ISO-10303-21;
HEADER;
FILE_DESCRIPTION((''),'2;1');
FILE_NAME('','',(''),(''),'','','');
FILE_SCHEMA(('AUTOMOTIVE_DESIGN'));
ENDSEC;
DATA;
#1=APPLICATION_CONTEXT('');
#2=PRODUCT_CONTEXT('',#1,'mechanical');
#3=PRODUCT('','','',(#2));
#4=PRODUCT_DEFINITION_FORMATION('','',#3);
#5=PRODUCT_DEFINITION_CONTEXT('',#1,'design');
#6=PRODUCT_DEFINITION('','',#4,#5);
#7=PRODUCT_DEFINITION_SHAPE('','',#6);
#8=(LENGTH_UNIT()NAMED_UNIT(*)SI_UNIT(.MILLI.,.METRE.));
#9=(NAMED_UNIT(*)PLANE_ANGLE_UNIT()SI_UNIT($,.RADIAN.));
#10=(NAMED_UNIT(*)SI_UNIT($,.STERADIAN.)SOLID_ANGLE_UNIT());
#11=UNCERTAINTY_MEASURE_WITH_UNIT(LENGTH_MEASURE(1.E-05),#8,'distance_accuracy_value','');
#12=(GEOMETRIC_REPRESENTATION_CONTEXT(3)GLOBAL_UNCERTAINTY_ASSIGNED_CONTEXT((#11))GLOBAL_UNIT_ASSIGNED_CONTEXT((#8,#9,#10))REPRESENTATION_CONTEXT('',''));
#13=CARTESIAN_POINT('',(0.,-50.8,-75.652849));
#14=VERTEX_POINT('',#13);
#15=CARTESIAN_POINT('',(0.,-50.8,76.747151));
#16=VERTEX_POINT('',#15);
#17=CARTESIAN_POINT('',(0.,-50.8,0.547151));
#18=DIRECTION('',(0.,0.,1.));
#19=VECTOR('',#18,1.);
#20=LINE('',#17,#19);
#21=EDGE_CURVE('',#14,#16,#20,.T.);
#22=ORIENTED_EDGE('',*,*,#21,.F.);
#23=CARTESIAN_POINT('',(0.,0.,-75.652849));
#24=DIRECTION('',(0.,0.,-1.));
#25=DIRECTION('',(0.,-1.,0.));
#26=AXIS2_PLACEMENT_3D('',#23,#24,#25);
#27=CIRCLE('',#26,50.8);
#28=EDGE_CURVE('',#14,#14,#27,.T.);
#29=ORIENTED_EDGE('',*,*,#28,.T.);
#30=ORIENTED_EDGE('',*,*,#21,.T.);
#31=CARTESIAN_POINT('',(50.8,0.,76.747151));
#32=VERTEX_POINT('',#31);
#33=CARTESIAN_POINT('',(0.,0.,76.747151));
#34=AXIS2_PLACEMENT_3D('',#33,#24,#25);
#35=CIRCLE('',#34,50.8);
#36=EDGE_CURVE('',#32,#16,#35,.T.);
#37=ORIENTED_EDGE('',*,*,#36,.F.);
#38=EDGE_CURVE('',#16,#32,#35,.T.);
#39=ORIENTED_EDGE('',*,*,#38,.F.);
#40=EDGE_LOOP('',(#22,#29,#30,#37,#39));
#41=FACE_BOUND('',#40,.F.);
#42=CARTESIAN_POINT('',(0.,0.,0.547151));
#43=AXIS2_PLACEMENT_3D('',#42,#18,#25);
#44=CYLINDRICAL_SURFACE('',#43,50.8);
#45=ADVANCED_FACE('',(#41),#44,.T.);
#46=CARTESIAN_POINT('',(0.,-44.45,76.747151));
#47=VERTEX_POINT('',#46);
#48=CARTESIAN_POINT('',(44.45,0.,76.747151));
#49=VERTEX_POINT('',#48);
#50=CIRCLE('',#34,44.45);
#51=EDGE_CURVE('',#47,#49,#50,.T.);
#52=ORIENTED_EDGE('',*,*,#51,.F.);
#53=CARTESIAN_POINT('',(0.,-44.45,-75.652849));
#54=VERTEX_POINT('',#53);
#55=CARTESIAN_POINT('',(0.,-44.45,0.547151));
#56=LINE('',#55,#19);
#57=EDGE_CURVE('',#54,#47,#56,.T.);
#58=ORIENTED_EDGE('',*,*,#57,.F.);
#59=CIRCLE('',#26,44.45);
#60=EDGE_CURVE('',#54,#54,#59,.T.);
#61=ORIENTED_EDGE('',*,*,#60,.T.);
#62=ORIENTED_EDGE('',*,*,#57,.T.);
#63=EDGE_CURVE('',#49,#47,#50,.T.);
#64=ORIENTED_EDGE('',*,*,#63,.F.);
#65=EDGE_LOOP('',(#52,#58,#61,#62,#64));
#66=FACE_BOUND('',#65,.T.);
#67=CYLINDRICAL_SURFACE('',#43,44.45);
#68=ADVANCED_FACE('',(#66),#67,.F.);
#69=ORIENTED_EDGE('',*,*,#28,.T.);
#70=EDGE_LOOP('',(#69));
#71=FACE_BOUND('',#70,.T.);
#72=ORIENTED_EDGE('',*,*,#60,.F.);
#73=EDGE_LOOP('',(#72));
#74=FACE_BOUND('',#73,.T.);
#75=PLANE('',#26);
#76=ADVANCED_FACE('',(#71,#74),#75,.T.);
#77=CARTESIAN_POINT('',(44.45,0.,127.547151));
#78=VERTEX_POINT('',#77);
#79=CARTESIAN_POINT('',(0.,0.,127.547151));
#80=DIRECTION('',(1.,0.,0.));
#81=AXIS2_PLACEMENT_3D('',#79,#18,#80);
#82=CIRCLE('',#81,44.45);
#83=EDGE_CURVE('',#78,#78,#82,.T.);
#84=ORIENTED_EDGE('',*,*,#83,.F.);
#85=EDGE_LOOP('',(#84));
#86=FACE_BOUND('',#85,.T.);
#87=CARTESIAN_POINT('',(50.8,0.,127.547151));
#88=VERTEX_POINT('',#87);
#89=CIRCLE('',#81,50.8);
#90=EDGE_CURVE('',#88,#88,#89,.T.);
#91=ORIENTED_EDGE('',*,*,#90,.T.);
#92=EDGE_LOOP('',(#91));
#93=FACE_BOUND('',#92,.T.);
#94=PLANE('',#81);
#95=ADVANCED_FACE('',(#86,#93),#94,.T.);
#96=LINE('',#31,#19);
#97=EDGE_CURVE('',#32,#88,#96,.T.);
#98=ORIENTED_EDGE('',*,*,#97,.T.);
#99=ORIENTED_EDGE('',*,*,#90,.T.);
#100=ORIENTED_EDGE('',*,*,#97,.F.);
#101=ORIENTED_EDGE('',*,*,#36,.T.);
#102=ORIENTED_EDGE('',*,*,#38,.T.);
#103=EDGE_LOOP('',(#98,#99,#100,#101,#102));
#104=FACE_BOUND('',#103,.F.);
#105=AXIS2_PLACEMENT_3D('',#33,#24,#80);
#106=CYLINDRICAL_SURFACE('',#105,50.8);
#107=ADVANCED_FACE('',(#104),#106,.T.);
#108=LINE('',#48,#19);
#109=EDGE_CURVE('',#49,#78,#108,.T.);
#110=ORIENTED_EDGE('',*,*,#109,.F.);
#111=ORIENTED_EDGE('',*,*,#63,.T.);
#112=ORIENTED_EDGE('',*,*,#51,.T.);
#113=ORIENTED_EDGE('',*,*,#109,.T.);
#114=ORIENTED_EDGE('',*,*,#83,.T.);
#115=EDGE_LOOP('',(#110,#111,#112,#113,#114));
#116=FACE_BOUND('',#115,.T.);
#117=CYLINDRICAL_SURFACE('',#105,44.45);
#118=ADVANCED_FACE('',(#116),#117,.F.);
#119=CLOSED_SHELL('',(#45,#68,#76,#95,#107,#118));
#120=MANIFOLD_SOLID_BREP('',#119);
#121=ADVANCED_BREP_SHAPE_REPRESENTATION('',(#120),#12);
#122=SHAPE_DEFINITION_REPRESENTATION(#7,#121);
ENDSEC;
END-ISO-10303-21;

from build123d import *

# Parameters (mm, degrees)
F0_W     = 6.35
F0_H     = 152.4
F2_R     = 50.8
F2_R_2   = 44.45
F3_DEPTH = 50.8


with BuildPart() as f1:
    # F0 (on Right) → F1 (revolve)
    with BuildSketch(Plane.YZ):
        with Locations((-47.625, 0.547151)):
            Rectangle(F0_W, F0_H)
    revolve(axis=Axis((0, 0, 0.619188), (0, 0, -1)))

    # F2 (on face) → F3 (join)
    with BuildSketch(Plane.XY.offset(76.747151)):
        Circle(F2_R)
        Circle(F2_R_2, mode=Mode.SUBTRACT)
    extrude(amount=F3_DEPTH)


solid = f1.part
